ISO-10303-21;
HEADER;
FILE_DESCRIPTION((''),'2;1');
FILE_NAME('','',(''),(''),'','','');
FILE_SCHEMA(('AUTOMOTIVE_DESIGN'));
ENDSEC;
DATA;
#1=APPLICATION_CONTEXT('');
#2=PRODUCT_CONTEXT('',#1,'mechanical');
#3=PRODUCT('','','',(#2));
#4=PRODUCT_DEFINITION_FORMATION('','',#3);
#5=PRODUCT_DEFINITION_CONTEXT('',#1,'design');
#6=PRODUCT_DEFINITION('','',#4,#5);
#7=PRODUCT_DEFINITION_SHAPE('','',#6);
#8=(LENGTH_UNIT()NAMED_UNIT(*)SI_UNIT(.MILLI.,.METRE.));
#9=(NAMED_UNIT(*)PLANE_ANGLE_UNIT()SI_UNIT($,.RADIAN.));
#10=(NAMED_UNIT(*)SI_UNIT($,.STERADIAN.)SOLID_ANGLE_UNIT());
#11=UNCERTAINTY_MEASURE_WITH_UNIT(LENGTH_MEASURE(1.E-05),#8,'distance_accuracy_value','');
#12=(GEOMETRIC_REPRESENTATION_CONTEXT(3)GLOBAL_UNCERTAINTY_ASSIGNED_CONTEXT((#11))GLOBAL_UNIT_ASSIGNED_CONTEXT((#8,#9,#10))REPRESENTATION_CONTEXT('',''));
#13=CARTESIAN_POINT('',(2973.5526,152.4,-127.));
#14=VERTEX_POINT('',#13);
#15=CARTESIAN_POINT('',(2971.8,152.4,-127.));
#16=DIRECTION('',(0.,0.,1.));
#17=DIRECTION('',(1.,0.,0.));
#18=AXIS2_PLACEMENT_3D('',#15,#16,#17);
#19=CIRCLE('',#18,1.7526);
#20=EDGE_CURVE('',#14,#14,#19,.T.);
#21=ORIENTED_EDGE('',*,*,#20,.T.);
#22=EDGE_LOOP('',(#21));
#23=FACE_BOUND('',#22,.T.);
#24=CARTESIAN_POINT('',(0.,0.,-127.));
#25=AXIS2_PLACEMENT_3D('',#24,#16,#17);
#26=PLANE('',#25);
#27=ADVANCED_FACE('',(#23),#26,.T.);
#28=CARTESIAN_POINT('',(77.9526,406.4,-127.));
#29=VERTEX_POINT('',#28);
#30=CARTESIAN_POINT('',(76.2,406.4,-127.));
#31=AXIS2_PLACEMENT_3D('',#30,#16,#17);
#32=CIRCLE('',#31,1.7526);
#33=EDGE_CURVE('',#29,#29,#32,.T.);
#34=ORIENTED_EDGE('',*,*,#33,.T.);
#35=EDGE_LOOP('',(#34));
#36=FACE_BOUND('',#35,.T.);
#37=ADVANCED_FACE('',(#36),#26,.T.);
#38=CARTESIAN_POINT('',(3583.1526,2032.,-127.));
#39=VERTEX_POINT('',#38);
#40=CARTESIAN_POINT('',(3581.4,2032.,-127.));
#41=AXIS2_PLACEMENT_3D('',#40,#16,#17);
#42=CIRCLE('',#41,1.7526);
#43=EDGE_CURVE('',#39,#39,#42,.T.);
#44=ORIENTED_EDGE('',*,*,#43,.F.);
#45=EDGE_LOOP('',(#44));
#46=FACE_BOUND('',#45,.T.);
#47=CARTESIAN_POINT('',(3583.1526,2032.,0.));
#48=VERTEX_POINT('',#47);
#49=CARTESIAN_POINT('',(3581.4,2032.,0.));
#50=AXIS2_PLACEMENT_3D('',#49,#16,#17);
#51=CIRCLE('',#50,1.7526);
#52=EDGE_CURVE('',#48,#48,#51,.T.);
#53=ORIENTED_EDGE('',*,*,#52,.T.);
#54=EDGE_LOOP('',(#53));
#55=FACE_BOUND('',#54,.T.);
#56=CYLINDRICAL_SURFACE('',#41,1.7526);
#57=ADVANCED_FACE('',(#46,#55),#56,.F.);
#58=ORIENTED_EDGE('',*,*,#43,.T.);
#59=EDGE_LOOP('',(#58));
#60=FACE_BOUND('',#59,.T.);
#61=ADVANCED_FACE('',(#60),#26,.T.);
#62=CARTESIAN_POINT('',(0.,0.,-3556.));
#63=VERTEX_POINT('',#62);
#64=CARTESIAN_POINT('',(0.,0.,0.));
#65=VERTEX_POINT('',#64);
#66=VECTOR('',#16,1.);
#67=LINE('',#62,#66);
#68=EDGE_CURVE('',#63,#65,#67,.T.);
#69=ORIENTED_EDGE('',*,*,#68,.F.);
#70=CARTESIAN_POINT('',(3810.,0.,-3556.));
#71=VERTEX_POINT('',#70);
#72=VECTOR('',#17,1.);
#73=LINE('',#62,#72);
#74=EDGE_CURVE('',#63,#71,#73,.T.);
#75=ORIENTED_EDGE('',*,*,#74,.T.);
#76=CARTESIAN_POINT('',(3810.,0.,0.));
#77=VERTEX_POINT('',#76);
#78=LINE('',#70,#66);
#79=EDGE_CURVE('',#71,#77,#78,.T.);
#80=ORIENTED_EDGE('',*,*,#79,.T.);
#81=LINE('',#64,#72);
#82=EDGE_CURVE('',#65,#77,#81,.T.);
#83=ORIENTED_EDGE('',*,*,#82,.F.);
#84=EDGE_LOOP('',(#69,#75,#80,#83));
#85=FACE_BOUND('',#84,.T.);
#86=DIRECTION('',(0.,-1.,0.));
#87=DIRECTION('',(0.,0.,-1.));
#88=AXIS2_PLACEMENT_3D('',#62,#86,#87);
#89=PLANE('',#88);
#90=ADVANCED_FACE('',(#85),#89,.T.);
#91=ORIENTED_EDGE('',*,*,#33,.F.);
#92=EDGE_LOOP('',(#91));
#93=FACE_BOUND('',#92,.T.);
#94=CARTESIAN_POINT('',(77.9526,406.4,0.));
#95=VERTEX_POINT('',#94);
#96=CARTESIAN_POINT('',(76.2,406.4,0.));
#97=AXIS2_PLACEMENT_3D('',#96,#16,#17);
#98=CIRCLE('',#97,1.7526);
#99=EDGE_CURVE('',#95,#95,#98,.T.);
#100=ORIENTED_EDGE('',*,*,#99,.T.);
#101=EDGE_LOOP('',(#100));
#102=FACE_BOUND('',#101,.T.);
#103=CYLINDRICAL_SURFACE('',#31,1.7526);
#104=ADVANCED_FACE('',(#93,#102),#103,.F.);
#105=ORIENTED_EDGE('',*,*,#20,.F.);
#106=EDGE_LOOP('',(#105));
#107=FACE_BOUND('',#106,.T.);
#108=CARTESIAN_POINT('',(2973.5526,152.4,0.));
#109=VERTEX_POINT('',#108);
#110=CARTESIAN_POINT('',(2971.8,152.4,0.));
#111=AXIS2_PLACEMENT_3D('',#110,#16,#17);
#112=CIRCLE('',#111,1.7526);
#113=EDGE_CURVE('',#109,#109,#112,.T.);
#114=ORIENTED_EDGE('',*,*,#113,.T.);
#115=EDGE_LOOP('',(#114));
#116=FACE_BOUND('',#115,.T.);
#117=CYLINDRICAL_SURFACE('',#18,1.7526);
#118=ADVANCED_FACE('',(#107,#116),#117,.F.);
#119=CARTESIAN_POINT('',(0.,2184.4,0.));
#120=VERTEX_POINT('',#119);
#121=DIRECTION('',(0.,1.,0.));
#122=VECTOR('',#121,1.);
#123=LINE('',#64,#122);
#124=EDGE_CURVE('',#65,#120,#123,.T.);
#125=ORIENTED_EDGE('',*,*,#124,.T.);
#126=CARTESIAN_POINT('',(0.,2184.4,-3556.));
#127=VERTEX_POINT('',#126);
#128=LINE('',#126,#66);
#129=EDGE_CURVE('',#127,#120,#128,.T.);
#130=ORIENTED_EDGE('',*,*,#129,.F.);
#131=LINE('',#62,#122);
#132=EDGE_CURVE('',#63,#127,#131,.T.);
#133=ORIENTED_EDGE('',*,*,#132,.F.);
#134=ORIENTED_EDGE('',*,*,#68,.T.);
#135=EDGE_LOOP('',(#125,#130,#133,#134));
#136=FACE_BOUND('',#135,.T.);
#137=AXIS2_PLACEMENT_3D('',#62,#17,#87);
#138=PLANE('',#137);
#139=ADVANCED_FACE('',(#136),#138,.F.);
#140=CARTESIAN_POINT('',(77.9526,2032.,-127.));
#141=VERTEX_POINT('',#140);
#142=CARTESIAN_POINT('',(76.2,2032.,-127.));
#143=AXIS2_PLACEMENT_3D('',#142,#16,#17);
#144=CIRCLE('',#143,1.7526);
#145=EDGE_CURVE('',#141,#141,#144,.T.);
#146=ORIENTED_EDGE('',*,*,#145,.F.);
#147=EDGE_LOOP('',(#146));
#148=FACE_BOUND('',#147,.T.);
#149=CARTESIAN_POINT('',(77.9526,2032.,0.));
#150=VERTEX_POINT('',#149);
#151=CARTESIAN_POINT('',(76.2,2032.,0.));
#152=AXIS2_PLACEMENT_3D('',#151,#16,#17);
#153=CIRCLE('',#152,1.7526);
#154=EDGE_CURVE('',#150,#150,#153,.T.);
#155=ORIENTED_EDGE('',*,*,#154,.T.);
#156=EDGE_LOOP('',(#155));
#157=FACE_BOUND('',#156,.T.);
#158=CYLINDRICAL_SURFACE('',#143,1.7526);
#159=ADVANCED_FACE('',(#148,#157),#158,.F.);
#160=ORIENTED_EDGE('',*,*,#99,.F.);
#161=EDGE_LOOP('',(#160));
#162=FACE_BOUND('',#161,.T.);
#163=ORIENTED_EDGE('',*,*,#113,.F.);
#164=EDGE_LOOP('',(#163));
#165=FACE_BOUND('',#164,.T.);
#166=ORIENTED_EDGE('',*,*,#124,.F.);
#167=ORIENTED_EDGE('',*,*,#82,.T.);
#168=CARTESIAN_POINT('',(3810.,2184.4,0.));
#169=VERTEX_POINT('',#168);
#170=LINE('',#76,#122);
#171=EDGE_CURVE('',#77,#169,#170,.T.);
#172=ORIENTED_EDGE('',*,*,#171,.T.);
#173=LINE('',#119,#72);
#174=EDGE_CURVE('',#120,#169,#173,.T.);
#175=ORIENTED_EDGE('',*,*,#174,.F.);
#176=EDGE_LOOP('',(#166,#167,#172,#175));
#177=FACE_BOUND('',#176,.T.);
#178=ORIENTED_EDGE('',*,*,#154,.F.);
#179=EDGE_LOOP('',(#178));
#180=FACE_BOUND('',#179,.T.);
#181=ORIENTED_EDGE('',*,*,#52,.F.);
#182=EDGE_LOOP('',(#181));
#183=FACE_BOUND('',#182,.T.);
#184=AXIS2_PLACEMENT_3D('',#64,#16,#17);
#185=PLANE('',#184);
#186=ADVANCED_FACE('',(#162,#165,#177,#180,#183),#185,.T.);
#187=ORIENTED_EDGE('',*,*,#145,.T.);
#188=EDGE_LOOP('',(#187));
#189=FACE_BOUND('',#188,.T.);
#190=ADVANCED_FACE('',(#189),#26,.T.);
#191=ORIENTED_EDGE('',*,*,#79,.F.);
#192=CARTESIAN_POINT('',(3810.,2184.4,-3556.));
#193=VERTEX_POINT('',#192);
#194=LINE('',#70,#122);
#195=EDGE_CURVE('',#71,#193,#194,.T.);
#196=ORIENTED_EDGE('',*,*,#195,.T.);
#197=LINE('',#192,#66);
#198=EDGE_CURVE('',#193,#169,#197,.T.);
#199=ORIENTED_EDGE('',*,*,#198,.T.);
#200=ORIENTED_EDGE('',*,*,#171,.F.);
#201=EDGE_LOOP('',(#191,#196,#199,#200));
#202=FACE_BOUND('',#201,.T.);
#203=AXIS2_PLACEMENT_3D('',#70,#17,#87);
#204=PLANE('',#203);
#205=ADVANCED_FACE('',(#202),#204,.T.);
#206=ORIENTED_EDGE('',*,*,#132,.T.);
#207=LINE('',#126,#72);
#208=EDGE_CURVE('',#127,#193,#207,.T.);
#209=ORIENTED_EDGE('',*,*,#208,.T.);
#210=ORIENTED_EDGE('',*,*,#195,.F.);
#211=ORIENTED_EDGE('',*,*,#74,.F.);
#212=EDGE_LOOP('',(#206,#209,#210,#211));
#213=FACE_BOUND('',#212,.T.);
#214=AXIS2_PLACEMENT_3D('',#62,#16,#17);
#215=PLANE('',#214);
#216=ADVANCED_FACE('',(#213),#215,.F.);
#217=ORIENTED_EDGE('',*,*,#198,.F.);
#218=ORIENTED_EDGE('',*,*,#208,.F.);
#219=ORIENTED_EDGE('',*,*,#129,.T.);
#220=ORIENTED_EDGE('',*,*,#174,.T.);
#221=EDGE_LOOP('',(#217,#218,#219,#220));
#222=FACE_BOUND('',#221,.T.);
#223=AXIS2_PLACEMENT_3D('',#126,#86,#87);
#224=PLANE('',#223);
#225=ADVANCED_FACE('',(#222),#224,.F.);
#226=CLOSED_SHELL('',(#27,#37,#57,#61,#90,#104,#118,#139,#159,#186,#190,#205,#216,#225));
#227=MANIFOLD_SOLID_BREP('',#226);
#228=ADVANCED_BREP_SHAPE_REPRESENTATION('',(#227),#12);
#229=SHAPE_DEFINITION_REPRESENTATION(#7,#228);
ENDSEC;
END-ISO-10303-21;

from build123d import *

# Parameters (mm, degrees)
SKETCH_1_W          = 3810
SKETCH_1_H          = 2184.4
EXTRUDE_1_DEPTH     = 3556
SKETCH_1_3_R        = 1.7526
CUT_EXTRUDE_1_DEPTH = 127


with BuildPart() as part:
    # 스케치1 → 보스-돌출1 (new body)
    with BuildSketch(Plane.XY):
        with Locations((1905, 1092.2)):
            Rectangle(SKETCH_1_W, SKETCH_1_H)
    extrude(amount=-EXTRUDE_1_DEPTH)

    # 스케치1<3> → 컷-돌출1 (cut)
    with BuildSketch(Plane.XY):
        with Locations((76.2, 2032)):
            Circle(SKETCH_1_3_R)
        with Locations((3581.4, 2032)):
            Circle(SKETCH_1_3_R)
        with Locations((76.2, 406.4)):
            Circle(SKETCH_1_3_R)
        with Locations((2971.8, 152.4)):
            Circle(SKETCH_1_3_R)
    extrude(amount=-CUT_EXTRUDE_1_DEPTH, mode=Mode.SUBTRACT)


solid = part.part
